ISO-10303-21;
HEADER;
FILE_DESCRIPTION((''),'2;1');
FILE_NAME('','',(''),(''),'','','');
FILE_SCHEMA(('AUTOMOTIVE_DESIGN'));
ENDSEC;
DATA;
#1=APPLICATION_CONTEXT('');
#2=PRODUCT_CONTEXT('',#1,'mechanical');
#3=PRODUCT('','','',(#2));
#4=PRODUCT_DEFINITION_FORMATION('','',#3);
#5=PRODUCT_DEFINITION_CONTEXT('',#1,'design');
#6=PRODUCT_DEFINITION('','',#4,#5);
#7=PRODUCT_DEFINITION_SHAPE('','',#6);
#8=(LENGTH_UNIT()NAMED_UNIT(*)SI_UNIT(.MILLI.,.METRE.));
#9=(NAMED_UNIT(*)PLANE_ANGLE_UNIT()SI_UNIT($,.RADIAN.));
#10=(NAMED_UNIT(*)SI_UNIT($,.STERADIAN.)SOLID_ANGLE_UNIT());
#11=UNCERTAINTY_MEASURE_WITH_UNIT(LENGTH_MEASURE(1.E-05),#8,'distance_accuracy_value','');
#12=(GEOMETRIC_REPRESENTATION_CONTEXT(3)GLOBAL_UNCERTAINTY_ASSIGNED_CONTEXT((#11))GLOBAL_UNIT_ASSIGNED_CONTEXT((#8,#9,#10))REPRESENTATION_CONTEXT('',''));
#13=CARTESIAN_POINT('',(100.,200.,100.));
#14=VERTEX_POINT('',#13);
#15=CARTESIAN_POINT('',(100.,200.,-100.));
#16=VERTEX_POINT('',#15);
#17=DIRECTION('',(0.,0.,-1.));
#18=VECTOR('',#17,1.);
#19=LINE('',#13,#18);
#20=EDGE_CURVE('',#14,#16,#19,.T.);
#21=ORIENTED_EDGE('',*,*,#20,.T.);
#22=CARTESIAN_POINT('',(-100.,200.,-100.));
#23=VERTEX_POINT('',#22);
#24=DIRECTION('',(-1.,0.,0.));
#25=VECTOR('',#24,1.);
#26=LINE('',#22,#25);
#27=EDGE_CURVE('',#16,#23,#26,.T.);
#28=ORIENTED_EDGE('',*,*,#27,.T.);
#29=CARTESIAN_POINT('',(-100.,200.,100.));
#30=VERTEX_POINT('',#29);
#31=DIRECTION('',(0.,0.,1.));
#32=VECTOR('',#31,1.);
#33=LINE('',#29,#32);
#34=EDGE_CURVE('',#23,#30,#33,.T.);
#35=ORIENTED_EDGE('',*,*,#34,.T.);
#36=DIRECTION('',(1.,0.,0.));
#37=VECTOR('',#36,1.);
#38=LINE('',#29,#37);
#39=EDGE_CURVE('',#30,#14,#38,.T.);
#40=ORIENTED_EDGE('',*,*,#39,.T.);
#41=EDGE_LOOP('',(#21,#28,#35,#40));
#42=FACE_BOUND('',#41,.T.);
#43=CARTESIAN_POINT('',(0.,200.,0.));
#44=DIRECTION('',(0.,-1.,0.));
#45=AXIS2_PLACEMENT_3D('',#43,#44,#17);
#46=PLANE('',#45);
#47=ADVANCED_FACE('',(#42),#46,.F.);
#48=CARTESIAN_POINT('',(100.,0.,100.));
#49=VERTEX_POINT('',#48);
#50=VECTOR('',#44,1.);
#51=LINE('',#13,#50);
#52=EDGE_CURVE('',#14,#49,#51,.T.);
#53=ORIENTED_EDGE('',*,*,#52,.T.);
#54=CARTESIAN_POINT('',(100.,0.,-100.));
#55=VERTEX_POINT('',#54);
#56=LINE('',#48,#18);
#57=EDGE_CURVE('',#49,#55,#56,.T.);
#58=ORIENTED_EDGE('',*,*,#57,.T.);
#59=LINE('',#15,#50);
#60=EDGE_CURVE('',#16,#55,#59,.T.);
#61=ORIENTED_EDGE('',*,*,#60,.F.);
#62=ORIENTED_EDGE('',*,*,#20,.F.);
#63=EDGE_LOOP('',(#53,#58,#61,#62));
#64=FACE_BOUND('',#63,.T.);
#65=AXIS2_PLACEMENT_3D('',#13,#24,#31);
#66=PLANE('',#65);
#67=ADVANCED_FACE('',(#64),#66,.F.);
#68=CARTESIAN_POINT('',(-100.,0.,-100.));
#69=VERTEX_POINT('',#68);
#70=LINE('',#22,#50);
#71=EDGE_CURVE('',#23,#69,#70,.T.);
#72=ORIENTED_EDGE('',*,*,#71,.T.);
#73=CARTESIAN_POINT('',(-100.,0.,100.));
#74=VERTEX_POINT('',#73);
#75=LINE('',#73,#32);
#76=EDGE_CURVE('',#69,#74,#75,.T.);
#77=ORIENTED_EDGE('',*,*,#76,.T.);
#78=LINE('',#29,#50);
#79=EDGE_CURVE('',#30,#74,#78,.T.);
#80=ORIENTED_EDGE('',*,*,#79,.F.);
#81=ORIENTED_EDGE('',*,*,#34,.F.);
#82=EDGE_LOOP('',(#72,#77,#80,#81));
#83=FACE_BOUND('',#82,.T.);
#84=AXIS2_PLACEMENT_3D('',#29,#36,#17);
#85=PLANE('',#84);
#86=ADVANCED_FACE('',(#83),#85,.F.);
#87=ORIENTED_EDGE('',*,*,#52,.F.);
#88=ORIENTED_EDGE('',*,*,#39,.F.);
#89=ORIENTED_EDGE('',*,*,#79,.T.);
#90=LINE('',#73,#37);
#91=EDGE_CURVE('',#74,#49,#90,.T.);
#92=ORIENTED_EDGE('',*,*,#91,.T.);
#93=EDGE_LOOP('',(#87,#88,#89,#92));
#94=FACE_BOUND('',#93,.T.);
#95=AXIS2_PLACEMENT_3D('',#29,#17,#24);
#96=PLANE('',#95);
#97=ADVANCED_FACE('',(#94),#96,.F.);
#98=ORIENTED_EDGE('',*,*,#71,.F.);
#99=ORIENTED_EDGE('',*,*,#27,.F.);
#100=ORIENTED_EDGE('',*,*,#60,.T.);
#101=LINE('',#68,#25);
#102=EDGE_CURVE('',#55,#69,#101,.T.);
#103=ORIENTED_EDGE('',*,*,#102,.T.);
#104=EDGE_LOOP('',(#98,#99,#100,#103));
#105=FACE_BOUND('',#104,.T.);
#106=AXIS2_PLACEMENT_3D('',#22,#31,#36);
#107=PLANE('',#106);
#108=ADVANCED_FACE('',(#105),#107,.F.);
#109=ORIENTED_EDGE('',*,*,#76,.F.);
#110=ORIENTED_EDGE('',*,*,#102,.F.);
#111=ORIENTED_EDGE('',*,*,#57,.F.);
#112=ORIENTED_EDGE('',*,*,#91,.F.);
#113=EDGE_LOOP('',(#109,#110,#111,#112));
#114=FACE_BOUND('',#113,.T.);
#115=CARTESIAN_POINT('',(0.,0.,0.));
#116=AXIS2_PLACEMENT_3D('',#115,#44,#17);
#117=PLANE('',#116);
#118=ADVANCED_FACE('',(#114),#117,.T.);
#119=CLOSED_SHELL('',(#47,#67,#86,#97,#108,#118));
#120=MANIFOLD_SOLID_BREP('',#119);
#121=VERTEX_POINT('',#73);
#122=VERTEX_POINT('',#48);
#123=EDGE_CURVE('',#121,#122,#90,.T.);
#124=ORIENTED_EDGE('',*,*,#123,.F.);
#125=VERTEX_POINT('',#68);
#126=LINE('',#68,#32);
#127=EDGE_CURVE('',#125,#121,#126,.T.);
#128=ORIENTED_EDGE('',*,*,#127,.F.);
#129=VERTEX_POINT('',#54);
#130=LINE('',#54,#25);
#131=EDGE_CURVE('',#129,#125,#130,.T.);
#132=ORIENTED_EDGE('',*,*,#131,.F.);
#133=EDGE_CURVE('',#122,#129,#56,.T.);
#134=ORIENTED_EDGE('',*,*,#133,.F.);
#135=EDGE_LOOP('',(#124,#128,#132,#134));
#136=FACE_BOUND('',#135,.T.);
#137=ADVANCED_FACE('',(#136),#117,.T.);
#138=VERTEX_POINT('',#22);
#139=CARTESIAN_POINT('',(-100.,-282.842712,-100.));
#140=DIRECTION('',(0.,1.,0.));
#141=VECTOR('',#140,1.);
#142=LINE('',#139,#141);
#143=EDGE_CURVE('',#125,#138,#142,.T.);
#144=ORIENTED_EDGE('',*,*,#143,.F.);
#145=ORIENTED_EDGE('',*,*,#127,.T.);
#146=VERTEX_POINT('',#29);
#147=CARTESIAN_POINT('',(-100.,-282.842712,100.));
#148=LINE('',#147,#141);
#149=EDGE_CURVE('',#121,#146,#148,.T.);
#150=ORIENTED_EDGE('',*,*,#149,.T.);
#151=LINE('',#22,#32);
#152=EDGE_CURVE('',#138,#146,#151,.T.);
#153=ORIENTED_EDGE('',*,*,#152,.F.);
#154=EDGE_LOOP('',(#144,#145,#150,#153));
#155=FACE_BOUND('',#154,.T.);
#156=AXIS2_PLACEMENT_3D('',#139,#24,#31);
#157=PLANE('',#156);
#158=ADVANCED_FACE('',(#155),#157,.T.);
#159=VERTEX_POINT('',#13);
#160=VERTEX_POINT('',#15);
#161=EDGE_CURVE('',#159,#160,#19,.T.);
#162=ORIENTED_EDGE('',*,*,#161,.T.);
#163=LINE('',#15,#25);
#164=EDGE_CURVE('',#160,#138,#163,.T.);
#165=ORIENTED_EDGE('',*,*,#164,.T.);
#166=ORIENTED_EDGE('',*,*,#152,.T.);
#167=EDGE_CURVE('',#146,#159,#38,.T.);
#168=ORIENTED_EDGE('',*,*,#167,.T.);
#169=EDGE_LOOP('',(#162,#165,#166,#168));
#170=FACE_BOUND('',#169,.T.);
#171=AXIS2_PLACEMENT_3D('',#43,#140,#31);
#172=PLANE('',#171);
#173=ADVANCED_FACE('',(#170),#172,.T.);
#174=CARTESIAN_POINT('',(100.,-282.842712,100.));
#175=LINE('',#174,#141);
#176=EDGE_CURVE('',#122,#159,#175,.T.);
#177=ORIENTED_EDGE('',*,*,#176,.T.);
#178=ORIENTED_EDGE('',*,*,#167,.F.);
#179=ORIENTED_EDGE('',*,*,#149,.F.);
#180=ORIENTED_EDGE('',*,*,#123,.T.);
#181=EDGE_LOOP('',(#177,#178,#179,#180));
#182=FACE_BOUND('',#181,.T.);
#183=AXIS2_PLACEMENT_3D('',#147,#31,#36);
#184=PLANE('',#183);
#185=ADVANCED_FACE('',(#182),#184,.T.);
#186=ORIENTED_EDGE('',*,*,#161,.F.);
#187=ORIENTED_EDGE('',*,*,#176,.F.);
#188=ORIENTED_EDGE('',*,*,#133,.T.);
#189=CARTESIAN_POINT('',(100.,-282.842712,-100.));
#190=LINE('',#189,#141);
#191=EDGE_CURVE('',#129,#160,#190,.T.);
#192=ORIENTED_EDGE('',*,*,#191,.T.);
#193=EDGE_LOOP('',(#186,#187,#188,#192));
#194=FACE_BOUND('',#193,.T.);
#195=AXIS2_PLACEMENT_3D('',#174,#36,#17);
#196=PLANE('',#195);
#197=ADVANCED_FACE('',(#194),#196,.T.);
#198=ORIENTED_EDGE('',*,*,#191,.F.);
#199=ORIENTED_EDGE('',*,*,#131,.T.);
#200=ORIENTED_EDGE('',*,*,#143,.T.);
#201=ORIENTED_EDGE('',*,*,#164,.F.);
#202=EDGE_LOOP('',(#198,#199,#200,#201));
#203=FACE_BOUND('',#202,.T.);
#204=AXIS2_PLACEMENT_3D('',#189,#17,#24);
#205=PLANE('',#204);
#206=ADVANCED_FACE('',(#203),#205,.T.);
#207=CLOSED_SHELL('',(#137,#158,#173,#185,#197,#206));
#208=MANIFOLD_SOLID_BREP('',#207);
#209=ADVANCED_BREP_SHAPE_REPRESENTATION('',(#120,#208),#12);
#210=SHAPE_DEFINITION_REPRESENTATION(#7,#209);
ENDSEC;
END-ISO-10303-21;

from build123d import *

# Parameters (mm, degrees)
SKETCH1_W           = 200
SKETCH1_H           = 200
BOSS_EXTRUDE1_DEPTH = 200
SKETCH2_W           = 200
SKETCH2_H           = 200
BOSS_EXTRUDE2_DEPTH = 200


with BuildPart() as part:
    # Sketch1 → Boss-Extrude1 (new body)
    with BuildSketch(Plane(origin=(0, 0, 0), x_dir=(1, 0, 0), z_dir=(0, 1, 0))):
        Rectangle(SKETCH1_W, SKETCH1_H)
    extrude(amount=BOSS_EXTRUDE1_DEPTH)


with BuildPart() as body_2:
    # Sketch2 → Boss-Extrude2 (new body)
    with BuildSketch(Plane(origin=(0, 200, 0), x_dir=(1, 0, 0), z_dir=(0, 1, 0))):
        Rectangle(SKETCH2_W, SKETCH2_H)
    extrude(amount=-BOSS_EXTRUDE2_DEPTH)


solid = Compound([part.part, body_2.part])
